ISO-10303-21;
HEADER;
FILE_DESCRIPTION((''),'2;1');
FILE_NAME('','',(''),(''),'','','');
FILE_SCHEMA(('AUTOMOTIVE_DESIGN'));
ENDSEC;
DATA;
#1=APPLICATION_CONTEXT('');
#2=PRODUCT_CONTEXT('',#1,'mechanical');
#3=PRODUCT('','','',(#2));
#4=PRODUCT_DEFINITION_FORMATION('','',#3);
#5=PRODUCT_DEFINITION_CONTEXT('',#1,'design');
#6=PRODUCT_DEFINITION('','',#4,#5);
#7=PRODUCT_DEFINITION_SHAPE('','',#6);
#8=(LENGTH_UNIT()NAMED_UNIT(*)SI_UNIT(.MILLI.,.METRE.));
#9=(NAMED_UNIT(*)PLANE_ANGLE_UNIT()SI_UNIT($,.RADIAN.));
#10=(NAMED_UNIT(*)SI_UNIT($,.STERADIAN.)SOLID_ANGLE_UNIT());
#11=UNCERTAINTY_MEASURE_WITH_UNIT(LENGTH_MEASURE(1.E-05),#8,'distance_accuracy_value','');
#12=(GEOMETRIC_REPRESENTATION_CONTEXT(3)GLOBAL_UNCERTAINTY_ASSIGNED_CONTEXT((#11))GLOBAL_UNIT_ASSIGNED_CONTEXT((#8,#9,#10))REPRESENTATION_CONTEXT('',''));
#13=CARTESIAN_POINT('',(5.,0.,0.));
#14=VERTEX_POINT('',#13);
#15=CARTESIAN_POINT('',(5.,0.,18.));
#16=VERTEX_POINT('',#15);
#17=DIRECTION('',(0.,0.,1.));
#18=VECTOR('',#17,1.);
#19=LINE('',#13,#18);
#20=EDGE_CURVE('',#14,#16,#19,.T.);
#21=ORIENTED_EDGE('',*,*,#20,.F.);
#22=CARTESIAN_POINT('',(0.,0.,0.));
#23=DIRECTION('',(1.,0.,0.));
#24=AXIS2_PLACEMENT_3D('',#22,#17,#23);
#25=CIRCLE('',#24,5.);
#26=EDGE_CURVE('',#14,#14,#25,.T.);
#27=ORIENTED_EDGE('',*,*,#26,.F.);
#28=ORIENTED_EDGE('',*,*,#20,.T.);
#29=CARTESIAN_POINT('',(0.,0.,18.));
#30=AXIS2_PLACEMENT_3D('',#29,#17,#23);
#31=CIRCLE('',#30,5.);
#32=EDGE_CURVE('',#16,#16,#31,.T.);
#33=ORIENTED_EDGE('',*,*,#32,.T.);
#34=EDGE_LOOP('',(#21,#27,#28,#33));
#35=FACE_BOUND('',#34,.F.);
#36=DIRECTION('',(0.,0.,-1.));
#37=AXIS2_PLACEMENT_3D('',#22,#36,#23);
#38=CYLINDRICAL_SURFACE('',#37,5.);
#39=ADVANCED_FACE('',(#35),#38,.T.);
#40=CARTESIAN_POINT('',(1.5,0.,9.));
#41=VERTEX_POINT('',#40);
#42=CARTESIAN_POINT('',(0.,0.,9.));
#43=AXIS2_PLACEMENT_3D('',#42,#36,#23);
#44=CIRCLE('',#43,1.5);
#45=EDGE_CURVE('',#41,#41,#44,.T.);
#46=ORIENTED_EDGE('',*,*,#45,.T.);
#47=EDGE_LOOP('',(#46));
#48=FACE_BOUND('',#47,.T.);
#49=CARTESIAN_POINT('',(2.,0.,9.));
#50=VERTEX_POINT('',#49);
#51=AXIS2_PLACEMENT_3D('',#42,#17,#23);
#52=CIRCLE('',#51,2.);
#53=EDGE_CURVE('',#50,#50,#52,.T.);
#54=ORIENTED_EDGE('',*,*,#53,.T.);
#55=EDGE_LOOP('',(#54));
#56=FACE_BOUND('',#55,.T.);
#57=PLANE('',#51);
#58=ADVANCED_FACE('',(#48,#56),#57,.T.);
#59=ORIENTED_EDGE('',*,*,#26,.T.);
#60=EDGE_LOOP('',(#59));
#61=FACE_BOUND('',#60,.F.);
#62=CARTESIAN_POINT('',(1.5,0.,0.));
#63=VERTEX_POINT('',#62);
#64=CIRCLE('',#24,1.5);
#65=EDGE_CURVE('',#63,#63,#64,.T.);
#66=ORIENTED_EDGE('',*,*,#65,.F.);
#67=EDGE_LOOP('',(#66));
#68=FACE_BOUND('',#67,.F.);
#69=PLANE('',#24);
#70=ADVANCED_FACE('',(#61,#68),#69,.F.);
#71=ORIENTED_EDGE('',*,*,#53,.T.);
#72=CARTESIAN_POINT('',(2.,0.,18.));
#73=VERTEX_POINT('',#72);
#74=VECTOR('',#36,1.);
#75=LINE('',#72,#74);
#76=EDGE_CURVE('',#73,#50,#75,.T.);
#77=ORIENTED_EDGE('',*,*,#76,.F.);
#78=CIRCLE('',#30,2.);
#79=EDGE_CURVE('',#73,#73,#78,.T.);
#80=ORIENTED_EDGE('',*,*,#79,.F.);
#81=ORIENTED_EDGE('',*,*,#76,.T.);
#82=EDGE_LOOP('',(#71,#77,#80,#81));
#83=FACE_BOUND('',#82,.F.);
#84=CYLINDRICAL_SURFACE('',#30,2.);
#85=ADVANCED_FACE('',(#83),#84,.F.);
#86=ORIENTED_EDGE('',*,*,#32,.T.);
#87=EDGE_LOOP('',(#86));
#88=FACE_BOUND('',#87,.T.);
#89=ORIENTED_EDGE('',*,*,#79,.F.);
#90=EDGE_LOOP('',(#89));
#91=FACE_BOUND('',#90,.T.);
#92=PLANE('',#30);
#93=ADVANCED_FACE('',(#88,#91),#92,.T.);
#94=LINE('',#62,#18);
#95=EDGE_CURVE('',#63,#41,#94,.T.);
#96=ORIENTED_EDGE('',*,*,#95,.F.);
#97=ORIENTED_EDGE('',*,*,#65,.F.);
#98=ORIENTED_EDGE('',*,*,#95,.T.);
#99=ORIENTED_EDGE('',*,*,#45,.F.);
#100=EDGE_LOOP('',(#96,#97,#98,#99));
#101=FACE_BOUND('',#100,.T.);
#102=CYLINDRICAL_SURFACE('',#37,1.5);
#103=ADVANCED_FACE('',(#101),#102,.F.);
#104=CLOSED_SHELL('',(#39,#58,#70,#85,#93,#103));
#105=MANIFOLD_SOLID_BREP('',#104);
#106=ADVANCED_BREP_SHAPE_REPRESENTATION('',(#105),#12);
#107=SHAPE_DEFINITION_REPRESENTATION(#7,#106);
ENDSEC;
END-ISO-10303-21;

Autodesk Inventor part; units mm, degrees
ref_plane "YZ Plane" through (0, 0, 0) normal (1, 0, 0) x (0, 1, 0)
ref_plane "XZ Plane" through (0, 0, 0) normal (0, 1, 0) x (-1, 0, 0)
ref_plane "XY Plane" through (0, 0, 0) normal (0, 0, 1) x (1, 0, 0)
sketch "Sketch1" plane through (0, 0, 0) normal (0, 0, 1) x (1, 0, 0)
  circle A0 centre (0, 0) radius 5
  circle A1 centre (0, 0) radius 1.5
  dimension "d0" = 10
  dimension "d1" = 3
extrude "Extrusion1" add sketch "Sketch1" along normal blind 18
sketch "Sketch2" plane through (0, 0, 18) normal (0, 0, 1) x (1, 0, 0)
  circle A0 centre (0, 0) radius 2
  dimension "d4" = 4
extrude "Extrusion2" cut sketch "Sketch2" against normal blind 9
properties part number "z_shaft_adapter"
